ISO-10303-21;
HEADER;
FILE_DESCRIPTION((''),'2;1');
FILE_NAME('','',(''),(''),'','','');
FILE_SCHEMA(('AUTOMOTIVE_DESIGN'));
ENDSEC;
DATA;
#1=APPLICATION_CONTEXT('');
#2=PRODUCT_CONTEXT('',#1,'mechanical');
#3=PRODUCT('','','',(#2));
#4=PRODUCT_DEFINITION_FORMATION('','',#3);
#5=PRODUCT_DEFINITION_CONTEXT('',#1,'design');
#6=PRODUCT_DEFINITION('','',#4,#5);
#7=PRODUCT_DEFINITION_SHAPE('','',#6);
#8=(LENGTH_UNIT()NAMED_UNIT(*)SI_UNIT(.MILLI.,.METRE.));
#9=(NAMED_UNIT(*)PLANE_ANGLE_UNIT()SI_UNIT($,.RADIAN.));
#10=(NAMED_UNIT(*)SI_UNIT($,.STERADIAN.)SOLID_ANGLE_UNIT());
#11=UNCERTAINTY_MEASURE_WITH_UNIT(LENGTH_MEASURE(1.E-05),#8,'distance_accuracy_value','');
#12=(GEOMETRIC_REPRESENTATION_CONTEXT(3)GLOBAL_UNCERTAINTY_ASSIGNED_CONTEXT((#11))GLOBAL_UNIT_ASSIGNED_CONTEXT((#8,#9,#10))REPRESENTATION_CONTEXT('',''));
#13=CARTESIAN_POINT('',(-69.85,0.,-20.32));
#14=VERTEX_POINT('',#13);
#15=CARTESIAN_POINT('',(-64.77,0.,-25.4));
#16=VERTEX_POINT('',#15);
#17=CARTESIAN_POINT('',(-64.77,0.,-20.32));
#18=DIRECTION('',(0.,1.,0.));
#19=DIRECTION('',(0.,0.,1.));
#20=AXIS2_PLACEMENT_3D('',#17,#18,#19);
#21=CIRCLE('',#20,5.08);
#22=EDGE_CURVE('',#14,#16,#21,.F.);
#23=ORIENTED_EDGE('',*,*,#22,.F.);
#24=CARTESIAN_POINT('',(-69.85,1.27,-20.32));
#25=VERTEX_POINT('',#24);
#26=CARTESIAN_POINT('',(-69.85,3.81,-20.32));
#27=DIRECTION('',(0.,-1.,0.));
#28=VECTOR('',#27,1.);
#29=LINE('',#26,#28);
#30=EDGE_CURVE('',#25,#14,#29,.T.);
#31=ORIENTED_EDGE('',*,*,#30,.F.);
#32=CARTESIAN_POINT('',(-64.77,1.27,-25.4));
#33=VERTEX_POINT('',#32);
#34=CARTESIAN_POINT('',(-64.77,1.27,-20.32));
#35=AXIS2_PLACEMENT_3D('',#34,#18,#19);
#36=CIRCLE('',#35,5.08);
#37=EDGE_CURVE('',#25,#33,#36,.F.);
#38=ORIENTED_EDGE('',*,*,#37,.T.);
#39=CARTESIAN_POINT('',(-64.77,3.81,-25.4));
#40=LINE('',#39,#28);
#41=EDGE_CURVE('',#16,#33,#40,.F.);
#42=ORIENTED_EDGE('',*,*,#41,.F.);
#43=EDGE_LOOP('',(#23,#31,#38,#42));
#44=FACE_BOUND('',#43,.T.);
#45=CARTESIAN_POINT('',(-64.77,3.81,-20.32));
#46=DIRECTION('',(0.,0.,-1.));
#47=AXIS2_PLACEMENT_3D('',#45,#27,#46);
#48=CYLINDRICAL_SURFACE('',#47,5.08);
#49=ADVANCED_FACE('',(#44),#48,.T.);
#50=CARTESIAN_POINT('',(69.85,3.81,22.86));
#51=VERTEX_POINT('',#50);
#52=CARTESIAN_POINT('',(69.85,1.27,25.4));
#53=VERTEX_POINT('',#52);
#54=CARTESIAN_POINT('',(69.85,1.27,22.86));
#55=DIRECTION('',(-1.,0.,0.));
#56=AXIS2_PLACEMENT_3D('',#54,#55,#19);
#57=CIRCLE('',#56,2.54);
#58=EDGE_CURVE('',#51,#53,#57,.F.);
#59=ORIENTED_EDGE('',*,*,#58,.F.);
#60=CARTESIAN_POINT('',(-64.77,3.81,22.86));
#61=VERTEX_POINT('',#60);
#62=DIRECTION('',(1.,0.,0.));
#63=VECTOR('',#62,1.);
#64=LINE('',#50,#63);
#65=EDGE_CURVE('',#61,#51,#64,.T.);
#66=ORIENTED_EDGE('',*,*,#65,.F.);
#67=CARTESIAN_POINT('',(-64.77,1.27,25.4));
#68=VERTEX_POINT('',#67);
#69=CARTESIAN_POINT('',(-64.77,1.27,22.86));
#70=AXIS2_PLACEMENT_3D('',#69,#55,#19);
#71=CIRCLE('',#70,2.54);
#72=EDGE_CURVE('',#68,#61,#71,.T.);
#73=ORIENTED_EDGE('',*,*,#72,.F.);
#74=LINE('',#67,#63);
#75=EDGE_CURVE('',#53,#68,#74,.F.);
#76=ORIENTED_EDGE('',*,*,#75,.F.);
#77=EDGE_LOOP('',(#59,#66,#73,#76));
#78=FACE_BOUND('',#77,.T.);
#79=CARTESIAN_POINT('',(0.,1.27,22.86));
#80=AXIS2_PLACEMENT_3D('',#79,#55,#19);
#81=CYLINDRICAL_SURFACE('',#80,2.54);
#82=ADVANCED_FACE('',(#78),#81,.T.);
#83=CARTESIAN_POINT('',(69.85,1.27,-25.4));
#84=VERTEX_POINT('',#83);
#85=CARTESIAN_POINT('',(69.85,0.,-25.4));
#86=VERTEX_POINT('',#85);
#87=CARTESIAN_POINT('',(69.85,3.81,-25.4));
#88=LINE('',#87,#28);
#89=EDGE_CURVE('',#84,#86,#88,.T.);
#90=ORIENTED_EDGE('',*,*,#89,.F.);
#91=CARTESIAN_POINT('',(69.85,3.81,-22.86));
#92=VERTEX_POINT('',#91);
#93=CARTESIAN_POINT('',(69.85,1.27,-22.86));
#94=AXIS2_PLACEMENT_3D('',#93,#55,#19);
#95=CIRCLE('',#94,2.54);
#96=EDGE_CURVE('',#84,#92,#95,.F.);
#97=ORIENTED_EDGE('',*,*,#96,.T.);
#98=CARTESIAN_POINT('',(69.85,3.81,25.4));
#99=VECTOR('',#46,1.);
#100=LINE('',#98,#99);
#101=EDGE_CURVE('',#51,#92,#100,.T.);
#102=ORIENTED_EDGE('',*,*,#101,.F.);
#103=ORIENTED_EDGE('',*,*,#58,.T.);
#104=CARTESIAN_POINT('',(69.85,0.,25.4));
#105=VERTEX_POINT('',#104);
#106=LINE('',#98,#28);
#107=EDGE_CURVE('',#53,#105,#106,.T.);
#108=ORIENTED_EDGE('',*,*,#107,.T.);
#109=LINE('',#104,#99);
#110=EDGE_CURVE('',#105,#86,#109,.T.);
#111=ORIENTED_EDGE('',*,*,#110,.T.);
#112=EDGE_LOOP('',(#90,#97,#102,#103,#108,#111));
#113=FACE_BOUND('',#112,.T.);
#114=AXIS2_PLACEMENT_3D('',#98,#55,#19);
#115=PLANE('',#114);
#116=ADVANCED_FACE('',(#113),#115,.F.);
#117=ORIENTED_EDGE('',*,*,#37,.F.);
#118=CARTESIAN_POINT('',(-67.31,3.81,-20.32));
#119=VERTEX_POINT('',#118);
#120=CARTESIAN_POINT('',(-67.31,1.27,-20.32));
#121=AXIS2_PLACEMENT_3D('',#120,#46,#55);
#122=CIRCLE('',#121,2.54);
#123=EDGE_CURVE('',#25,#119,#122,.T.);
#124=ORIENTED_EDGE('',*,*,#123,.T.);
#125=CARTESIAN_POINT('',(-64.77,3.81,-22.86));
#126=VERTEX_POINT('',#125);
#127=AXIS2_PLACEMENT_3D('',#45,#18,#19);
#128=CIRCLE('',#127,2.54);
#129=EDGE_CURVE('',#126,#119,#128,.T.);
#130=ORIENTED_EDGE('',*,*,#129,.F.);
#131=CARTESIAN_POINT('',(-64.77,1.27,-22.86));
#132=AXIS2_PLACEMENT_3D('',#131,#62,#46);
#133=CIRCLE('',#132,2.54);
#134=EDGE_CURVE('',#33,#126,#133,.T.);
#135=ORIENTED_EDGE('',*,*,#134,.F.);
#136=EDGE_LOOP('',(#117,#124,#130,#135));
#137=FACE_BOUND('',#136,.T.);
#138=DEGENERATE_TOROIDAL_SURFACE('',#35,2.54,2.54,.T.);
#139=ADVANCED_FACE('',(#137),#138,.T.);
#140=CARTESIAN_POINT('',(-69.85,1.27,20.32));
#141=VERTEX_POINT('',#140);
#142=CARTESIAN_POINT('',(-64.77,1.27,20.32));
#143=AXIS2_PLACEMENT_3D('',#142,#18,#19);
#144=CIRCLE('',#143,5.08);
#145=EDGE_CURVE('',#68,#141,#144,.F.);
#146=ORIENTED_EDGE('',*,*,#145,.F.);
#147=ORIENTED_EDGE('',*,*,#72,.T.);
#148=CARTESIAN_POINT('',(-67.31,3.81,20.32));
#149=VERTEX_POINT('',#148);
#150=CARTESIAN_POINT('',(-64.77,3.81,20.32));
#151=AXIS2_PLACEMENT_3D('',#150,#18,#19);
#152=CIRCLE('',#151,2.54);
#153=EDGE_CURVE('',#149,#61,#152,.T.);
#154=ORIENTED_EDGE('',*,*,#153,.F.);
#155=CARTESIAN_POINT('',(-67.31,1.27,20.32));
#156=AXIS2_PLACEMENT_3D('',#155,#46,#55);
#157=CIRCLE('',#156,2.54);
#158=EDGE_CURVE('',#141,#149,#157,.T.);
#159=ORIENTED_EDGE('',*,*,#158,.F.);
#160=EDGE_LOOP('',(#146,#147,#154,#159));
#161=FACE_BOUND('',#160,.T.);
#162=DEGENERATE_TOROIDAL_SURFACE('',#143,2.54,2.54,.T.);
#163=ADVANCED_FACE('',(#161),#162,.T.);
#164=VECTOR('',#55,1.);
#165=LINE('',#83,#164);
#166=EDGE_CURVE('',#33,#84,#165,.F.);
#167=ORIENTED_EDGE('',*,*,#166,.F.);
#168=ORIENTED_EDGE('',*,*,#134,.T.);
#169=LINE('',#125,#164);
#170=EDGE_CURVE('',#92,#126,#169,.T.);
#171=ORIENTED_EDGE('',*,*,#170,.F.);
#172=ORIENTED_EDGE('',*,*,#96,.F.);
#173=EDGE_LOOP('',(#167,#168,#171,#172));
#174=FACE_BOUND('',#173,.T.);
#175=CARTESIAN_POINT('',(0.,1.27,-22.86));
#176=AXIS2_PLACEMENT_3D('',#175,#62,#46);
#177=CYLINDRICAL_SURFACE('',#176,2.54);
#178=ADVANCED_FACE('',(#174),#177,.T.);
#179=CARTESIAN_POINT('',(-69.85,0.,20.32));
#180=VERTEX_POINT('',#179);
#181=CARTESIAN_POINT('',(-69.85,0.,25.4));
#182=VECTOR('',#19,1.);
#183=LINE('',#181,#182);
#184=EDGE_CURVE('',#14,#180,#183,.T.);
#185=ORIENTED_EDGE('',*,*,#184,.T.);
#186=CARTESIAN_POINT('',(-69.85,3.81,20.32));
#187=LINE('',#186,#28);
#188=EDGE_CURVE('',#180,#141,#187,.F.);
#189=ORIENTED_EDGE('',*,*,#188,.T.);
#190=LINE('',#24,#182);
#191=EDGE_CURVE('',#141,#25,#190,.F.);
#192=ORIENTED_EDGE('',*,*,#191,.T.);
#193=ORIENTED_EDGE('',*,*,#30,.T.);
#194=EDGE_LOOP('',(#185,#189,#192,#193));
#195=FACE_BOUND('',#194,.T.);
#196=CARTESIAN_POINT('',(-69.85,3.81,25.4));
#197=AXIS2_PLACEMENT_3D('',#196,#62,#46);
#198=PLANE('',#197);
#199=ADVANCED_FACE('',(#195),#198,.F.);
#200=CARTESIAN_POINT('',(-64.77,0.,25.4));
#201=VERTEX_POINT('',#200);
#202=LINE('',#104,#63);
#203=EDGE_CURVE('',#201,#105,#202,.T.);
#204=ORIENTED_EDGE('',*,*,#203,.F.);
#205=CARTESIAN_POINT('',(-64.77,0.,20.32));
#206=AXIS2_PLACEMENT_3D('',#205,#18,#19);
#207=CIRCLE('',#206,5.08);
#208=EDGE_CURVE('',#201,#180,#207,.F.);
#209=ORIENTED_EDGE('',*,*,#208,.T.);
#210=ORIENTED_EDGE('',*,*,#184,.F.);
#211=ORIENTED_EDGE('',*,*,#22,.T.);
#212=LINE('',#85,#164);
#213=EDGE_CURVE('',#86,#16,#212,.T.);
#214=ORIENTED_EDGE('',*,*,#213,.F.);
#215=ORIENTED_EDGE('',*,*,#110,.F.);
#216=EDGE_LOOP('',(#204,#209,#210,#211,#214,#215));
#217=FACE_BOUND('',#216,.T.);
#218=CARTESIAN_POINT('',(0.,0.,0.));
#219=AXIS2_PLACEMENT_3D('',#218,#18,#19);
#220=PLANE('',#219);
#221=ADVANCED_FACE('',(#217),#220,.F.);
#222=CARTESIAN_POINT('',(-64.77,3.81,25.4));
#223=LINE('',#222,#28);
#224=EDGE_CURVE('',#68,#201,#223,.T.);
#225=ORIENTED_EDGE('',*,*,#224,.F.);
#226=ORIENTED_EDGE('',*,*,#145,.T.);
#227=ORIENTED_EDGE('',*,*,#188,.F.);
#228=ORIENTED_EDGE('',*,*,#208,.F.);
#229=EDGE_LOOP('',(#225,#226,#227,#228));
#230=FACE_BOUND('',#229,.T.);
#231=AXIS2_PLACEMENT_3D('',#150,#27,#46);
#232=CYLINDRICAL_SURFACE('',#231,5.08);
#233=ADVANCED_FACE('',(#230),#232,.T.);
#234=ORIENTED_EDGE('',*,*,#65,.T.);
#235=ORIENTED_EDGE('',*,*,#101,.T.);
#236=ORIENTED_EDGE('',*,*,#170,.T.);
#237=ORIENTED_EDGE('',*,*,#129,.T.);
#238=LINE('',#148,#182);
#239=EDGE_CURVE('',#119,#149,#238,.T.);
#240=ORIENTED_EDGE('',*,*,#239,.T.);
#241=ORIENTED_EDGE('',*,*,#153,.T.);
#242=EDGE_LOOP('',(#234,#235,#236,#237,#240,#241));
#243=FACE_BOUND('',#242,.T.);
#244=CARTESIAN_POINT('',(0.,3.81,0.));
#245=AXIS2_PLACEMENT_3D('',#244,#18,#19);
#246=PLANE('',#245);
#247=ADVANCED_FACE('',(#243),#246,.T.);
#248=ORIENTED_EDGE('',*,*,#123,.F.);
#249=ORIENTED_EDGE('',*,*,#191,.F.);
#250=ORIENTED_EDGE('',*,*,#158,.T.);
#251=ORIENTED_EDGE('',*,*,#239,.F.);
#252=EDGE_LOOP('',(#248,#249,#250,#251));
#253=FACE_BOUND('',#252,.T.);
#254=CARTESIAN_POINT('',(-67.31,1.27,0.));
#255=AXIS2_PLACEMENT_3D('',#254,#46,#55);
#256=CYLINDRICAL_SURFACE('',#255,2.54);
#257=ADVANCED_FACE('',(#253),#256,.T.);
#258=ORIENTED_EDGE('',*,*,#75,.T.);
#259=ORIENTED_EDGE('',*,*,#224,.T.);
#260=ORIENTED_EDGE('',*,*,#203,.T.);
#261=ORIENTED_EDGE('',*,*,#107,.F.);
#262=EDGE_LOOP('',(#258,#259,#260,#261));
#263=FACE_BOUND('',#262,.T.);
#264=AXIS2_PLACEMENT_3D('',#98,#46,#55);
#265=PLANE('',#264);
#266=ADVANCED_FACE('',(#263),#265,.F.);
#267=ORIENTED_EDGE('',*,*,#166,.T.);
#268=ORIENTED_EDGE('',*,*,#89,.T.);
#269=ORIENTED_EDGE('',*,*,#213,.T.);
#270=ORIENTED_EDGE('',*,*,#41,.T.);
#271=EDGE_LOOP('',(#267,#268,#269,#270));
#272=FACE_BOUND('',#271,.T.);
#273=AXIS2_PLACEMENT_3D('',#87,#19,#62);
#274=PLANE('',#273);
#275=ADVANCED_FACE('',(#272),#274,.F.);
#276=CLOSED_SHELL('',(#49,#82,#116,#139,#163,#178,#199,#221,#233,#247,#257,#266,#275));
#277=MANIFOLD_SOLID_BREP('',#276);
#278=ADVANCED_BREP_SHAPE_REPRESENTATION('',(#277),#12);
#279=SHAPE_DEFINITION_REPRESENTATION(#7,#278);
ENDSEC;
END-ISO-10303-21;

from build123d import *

# Parameters (mm, degrees)
SKETCH1_W           = 139.7
SKETCH1_H           = 50.8
BOSS_EXTRUDE1_DEPTH = 3.81
FILLET4_R           = 5.08
FILLET5_R           = 2.54


with BuildPart() as part:
    # Sketch1 → Boss-Extrude1 (new body)
    with BuildSketch(Plane(origin=(0, 0, 0), x_dir=(1, 0, 0), z_dir=(0, 1, 0))):
        Rectangle(SKETCH1_W, SKETCH1_H)
    extrude(amount=BOSS_EXTRUDE1_DEPTH)

    # Fillet4
    fillet4_edges = [part.edges().sort_by_distance(p)[0] for p in [
        (-69.85, 1.905, -25.4),
        (-69.85, 1.905, 25.4),
    ]]
    fillet(fillet4_edges, radius=FILLET4_R)

    # Fillet5
    fillet5_edges = [part.edges().sort_by_distance(p)[0] for p in [
        (-69.85, 3.81, 0),
        (2.54, 3.81, -25.4),
        (2.54, 3.81, 25.4),
        (-68.362102448, 3.81, 23.912102448),
        (-68.362102448, 3.81, -23.912102448),
    ]]
    fillet(fillet5_edges, radius=FILLET5_R)


solid = part.part
